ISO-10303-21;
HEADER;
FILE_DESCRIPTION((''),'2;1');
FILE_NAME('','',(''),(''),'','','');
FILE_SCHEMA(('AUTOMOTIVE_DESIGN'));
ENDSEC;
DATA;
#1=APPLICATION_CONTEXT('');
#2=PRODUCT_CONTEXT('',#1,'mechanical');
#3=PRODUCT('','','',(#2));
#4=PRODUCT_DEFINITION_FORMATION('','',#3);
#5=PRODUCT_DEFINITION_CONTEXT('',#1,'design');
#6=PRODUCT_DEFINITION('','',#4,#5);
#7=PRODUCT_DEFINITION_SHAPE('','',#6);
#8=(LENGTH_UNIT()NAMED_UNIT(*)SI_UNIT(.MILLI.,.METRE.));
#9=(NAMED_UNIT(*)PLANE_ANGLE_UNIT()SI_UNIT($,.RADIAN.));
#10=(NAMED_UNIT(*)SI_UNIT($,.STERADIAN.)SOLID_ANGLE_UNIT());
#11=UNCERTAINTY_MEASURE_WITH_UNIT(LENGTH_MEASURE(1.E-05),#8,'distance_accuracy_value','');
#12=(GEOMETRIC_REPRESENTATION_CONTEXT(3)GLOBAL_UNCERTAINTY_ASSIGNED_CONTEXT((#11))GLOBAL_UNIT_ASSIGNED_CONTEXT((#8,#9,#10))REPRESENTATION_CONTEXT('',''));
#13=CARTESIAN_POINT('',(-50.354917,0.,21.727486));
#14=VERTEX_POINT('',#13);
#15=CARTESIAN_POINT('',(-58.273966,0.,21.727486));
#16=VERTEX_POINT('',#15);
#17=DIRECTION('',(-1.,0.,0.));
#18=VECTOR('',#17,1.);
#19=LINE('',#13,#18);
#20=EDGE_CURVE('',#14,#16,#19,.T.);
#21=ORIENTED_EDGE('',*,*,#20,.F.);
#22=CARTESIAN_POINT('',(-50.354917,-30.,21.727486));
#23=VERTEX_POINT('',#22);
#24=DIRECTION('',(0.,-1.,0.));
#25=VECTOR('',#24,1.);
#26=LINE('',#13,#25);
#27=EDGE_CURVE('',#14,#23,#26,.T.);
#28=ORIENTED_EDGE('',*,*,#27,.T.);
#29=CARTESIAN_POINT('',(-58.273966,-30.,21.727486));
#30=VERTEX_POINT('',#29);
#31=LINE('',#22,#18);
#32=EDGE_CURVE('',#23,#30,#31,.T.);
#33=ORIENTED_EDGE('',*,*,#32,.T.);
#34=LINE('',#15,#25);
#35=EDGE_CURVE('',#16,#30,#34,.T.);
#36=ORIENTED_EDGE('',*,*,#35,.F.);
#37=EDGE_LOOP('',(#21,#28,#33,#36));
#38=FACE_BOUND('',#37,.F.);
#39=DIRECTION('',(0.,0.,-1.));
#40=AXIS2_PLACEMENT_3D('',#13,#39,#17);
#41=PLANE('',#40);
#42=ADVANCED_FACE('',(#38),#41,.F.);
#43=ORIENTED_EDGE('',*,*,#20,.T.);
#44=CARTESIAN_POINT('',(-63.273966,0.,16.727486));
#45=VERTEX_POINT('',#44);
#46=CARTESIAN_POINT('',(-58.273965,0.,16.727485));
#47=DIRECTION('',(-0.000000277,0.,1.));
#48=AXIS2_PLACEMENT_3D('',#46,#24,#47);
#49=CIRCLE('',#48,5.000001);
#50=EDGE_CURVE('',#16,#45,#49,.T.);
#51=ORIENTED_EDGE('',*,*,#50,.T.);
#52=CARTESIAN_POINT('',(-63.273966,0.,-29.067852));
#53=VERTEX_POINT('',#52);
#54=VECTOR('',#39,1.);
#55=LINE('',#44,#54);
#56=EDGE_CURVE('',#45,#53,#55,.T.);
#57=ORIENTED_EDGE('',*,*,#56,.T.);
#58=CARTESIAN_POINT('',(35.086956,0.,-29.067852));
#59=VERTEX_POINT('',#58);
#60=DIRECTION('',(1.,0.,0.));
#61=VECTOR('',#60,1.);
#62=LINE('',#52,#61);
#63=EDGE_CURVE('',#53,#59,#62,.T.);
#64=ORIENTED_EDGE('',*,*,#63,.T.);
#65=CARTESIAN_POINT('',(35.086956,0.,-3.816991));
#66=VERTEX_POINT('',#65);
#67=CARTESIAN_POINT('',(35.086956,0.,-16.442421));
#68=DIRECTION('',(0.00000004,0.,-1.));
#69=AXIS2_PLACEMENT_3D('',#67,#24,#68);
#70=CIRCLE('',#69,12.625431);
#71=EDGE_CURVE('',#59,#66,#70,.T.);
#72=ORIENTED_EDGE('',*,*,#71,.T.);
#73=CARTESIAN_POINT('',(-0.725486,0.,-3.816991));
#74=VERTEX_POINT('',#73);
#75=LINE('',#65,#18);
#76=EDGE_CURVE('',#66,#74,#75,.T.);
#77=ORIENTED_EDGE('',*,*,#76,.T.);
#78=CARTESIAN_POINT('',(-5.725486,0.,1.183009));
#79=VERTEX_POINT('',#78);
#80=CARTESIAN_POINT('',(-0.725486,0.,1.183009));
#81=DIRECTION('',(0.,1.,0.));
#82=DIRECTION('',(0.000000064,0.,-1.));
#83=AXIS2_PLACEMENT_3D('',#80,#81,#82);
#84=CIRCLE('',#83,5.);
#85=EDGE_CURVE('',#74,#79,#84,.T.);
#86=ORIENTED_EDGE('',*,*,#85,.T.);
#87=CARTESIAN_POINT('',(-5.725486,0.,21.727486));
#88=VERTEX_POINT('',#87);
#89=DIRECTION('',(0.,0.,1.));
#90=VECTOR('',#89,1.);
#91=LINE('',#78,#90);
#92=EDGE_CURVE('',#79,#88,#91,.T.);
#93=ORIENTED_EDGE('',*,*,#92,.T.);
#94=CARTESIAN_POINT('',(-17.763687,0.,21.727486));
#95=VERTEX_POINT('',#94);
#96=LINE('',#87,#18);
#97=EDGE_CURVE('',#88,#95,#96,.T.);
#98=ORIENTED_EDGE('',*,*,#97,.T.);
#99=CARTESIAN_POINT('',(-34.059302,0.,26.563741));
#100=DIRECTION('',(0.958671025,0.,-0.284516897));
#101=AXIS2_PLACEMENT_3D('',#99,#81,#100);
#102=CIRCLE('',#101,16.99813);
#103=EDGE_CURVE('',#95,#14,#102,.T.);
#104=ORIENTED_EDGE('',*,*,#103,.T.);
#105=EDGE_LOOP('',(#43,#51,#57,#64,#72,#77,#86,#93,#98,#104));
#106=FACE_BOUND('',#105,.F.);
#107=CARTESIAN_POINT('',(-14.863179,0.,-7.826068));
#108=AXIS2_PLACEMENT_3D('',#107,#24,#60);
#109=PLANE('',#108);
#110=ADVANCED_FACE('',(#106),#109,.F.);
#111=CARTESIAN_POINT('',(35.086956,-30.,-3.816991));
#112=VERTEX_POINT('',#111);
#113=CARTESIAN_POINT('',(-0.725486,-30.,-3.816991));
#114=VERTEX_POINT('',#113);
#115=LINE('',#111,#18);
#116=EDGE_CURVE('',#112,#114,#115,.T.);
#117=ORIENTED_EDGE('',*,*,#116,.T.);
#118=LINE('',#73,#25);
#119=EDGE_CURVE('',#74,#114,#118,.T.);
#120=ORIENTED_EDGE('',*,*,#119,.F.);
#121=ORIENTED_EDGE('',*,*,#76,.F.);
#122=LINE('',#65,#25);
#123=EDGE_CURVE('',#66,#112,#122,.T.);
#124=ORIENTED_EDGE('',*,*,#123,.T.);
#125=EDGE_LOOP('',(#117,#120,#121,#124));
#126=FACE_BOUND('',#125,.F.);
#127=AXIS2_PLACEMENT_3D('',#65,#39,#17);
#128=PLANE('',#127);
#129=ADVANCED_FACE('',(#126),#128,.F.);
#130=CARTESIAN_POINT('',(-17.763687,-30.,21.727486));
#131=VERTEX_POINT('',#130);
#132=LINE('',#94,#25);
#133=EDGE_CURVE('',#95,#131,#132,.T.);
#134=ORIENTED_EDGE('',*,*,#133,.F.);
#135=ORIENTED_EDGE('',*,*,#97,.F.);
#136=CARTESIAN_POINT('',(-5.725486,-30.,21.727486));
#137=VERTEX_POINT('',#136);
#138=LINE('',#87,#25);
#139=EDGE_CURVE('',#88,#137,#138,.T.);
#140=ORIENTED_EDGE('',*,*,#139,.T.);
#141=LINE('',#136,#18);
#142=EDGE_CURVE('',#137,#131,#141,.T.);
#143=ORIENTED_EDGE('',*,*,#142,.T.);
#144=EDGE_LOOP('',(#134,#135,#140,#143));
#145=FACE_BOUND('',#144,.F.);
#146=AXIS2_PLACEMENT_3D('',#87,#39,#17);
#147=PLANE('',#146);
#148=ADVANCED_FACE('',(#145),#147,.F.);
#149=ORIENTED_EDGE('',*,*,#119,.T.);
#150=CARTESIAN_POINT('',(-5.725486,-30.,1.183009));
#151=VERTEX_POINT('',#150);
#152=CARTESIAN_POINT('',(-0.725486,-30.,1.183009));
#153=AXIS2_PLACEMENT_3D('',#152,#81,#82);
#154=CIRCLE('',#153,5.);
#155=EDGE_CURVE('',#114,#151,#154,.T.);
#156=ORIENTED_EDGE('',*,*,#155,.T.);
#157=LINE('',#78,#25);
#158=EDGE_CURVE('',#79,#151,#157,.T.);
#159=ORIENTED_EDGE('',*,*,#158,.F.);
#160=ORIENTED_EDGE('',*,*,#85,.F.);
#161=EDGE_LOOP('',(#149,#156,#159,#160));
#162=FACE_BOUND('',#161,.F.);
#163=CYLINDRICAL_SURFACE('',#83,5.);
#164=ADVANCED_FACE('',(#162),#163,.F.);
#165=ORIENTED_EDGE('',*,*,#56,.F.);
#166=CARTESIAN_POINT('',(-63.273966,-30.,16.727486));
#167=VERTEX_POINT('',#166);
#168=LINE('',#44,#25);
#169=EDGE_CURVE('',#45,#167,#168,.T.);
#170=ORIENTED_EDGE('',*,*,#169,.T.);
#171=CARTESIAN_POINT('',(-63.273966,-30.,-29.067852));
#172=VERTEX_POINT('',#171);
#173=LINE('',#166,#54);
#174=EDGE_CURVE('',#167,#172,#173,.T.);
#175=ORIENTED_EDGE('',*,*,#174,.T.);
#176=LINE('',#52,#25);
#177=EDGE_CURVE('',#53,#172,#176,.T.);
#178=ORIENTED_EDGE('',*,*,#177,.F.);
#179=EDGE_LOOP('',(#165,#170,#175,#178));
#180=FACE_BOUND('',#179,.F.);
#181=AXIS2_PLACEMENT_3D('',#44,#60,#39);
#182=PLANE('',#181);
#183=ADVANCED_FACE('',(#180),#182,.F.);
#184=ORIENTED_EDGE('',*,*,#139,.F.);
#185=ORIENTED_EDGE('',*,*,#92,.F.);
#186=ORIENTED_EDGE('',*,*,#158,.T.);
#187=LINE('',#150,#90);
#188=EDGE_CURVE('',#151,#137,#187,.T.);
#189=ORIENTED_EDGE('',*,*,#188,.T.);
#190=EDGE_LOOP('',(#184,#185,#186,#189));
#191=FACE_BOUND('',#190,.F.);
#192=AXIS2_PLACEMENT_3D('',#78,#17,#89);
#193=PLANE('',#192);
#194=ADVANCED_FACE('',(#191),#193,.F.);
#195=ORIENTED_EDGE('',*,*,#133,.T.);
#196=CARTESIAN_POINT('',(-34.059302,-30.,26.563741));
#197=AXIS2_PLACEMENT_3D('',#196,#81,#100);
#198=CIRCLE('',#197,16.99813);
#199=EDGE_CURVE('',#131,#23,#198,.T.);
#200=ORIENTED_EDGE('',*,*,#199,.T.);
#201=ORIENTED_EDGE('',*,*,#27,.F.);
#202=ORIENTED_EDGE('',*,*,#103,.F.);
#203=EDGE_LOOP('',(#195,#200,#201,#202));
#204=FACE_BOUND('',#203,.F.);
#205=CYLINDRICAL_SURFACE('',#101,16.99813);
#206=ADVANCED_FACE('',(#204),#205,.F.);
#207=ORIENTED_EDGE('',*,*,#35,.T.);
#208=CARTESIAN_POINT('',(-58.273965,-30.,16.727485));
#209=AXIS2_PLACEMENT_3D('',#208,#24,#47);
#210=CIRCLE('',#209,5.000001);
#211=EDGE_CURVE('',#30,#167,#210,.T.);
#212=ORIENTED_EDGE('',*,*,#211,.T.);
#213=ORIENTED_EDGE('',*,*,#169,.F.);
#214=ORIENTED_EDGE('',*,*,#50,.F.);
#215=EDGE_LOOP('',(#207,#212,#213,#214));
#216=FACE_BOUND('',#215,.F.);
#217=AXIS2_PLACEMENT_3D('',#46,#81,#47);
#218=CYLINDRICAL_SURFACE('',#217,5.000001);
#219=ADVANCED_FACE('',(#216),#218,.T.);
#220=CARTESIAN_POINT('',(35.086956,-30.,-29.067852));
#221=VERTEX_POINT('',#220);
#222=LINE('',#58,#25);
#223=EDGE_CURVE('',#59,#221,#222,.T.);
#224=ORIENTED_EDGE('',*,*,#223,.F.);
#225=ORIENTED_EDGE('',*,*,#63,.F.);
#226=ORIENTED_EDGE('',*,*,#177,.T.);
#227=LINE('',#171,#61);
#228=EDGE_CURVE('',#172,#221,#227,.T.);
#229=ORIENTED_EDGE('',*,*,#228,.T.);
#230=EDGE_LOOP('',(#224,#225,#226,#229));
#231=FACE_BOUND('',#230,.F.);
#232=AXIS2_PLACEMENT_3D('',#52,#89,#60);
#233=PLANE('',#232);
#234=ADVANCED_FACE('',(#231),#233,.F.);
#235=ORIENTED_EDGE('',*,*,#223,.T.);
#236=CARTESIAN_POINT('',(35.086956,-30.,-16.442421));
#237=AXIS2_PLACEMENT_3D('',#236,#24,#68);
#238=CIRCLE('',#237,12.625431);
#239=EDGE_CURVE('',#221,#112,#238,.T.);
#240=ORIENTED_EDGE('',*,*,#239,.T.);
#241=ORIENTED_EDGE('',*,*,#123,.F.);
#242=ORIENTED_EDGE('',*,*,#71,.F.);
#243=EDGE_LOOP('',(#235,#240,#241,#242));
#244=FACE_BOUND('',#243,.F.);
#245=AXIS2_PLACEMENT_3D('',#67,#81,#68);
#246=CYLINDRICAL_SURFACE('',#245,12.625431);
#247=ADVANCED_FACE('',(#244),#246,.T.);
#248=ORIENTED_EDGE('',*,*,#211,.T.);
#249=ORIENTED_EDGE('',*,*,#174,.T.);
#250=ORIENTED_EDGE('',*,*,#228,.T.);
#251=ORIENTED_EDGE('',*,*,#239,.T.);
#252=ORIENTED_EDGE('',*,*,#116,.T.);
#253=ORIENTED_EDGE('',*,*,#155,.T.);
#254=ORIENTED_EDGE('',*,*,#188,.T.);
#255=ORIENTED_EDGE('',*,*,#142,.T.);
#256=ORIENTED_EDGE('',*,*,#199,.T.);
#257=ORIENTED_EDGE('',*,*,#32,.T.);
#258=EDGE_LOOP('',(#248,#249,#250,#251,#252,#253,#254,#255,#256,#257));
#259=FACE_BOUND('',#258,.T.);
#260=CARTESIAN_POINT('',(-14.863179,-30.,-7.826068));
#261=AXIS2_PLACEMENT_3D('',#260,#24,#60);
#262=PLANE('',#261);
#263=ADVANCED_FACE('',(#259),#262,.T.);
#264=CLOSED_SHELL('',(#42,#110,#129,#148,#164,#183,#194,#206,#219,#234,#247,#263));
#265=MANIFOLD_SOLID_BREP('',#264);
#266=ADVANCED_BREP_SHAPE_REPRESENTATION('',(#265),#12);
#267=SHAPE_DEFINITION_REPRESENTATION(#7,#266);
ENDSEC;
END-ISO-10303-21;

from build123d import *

# Parameters (mm, degrees)
F1_DEPTH = 30


with BuildPart() as f1:
    # F0 (on Front) → F1 (new body)
    with BuildSketch(Plane.XZ):
        with BuildLine():
            Line((-50.354917, 21.727486), (-58.273966, 21.727486))
            ThreePointArc((-58.273966, 21.727486), (-61.8095, 20.263019), (-63.273966, 16.727486))
            Line((-63.273966, 16.727486), (-63.273966, -29.067852))
            Line((-63.273966, -29.067852), (-5.725486, -29.067852))
            Line((-5.725486, -29.067852), (35.086956, -29.067852))
            ThreePointArc((35.086956, -29.067852), (47.712386, -16.442421), (35.086956, -3.816991))
            Line((35.086956, -3.816991), (-0.725486, -3.816991))
            ThreePointArc((-0.725486, -3.816991), (-4.26102, -2.352525), (-5.725486, 1.183009))
            Line((-5.725486, 1.183009), (-5.725486, 21.727486))
            Line((-5.725486, 21.727486), (-17.763687, 21.727486))
            ThreePointArc((-17.763687, 21.727486), (-34.059302, 9.565611), (-50.354917, 21.727486))
        make_face()
    extrude(amount=F1_DEPTH)


solid = f1.part
